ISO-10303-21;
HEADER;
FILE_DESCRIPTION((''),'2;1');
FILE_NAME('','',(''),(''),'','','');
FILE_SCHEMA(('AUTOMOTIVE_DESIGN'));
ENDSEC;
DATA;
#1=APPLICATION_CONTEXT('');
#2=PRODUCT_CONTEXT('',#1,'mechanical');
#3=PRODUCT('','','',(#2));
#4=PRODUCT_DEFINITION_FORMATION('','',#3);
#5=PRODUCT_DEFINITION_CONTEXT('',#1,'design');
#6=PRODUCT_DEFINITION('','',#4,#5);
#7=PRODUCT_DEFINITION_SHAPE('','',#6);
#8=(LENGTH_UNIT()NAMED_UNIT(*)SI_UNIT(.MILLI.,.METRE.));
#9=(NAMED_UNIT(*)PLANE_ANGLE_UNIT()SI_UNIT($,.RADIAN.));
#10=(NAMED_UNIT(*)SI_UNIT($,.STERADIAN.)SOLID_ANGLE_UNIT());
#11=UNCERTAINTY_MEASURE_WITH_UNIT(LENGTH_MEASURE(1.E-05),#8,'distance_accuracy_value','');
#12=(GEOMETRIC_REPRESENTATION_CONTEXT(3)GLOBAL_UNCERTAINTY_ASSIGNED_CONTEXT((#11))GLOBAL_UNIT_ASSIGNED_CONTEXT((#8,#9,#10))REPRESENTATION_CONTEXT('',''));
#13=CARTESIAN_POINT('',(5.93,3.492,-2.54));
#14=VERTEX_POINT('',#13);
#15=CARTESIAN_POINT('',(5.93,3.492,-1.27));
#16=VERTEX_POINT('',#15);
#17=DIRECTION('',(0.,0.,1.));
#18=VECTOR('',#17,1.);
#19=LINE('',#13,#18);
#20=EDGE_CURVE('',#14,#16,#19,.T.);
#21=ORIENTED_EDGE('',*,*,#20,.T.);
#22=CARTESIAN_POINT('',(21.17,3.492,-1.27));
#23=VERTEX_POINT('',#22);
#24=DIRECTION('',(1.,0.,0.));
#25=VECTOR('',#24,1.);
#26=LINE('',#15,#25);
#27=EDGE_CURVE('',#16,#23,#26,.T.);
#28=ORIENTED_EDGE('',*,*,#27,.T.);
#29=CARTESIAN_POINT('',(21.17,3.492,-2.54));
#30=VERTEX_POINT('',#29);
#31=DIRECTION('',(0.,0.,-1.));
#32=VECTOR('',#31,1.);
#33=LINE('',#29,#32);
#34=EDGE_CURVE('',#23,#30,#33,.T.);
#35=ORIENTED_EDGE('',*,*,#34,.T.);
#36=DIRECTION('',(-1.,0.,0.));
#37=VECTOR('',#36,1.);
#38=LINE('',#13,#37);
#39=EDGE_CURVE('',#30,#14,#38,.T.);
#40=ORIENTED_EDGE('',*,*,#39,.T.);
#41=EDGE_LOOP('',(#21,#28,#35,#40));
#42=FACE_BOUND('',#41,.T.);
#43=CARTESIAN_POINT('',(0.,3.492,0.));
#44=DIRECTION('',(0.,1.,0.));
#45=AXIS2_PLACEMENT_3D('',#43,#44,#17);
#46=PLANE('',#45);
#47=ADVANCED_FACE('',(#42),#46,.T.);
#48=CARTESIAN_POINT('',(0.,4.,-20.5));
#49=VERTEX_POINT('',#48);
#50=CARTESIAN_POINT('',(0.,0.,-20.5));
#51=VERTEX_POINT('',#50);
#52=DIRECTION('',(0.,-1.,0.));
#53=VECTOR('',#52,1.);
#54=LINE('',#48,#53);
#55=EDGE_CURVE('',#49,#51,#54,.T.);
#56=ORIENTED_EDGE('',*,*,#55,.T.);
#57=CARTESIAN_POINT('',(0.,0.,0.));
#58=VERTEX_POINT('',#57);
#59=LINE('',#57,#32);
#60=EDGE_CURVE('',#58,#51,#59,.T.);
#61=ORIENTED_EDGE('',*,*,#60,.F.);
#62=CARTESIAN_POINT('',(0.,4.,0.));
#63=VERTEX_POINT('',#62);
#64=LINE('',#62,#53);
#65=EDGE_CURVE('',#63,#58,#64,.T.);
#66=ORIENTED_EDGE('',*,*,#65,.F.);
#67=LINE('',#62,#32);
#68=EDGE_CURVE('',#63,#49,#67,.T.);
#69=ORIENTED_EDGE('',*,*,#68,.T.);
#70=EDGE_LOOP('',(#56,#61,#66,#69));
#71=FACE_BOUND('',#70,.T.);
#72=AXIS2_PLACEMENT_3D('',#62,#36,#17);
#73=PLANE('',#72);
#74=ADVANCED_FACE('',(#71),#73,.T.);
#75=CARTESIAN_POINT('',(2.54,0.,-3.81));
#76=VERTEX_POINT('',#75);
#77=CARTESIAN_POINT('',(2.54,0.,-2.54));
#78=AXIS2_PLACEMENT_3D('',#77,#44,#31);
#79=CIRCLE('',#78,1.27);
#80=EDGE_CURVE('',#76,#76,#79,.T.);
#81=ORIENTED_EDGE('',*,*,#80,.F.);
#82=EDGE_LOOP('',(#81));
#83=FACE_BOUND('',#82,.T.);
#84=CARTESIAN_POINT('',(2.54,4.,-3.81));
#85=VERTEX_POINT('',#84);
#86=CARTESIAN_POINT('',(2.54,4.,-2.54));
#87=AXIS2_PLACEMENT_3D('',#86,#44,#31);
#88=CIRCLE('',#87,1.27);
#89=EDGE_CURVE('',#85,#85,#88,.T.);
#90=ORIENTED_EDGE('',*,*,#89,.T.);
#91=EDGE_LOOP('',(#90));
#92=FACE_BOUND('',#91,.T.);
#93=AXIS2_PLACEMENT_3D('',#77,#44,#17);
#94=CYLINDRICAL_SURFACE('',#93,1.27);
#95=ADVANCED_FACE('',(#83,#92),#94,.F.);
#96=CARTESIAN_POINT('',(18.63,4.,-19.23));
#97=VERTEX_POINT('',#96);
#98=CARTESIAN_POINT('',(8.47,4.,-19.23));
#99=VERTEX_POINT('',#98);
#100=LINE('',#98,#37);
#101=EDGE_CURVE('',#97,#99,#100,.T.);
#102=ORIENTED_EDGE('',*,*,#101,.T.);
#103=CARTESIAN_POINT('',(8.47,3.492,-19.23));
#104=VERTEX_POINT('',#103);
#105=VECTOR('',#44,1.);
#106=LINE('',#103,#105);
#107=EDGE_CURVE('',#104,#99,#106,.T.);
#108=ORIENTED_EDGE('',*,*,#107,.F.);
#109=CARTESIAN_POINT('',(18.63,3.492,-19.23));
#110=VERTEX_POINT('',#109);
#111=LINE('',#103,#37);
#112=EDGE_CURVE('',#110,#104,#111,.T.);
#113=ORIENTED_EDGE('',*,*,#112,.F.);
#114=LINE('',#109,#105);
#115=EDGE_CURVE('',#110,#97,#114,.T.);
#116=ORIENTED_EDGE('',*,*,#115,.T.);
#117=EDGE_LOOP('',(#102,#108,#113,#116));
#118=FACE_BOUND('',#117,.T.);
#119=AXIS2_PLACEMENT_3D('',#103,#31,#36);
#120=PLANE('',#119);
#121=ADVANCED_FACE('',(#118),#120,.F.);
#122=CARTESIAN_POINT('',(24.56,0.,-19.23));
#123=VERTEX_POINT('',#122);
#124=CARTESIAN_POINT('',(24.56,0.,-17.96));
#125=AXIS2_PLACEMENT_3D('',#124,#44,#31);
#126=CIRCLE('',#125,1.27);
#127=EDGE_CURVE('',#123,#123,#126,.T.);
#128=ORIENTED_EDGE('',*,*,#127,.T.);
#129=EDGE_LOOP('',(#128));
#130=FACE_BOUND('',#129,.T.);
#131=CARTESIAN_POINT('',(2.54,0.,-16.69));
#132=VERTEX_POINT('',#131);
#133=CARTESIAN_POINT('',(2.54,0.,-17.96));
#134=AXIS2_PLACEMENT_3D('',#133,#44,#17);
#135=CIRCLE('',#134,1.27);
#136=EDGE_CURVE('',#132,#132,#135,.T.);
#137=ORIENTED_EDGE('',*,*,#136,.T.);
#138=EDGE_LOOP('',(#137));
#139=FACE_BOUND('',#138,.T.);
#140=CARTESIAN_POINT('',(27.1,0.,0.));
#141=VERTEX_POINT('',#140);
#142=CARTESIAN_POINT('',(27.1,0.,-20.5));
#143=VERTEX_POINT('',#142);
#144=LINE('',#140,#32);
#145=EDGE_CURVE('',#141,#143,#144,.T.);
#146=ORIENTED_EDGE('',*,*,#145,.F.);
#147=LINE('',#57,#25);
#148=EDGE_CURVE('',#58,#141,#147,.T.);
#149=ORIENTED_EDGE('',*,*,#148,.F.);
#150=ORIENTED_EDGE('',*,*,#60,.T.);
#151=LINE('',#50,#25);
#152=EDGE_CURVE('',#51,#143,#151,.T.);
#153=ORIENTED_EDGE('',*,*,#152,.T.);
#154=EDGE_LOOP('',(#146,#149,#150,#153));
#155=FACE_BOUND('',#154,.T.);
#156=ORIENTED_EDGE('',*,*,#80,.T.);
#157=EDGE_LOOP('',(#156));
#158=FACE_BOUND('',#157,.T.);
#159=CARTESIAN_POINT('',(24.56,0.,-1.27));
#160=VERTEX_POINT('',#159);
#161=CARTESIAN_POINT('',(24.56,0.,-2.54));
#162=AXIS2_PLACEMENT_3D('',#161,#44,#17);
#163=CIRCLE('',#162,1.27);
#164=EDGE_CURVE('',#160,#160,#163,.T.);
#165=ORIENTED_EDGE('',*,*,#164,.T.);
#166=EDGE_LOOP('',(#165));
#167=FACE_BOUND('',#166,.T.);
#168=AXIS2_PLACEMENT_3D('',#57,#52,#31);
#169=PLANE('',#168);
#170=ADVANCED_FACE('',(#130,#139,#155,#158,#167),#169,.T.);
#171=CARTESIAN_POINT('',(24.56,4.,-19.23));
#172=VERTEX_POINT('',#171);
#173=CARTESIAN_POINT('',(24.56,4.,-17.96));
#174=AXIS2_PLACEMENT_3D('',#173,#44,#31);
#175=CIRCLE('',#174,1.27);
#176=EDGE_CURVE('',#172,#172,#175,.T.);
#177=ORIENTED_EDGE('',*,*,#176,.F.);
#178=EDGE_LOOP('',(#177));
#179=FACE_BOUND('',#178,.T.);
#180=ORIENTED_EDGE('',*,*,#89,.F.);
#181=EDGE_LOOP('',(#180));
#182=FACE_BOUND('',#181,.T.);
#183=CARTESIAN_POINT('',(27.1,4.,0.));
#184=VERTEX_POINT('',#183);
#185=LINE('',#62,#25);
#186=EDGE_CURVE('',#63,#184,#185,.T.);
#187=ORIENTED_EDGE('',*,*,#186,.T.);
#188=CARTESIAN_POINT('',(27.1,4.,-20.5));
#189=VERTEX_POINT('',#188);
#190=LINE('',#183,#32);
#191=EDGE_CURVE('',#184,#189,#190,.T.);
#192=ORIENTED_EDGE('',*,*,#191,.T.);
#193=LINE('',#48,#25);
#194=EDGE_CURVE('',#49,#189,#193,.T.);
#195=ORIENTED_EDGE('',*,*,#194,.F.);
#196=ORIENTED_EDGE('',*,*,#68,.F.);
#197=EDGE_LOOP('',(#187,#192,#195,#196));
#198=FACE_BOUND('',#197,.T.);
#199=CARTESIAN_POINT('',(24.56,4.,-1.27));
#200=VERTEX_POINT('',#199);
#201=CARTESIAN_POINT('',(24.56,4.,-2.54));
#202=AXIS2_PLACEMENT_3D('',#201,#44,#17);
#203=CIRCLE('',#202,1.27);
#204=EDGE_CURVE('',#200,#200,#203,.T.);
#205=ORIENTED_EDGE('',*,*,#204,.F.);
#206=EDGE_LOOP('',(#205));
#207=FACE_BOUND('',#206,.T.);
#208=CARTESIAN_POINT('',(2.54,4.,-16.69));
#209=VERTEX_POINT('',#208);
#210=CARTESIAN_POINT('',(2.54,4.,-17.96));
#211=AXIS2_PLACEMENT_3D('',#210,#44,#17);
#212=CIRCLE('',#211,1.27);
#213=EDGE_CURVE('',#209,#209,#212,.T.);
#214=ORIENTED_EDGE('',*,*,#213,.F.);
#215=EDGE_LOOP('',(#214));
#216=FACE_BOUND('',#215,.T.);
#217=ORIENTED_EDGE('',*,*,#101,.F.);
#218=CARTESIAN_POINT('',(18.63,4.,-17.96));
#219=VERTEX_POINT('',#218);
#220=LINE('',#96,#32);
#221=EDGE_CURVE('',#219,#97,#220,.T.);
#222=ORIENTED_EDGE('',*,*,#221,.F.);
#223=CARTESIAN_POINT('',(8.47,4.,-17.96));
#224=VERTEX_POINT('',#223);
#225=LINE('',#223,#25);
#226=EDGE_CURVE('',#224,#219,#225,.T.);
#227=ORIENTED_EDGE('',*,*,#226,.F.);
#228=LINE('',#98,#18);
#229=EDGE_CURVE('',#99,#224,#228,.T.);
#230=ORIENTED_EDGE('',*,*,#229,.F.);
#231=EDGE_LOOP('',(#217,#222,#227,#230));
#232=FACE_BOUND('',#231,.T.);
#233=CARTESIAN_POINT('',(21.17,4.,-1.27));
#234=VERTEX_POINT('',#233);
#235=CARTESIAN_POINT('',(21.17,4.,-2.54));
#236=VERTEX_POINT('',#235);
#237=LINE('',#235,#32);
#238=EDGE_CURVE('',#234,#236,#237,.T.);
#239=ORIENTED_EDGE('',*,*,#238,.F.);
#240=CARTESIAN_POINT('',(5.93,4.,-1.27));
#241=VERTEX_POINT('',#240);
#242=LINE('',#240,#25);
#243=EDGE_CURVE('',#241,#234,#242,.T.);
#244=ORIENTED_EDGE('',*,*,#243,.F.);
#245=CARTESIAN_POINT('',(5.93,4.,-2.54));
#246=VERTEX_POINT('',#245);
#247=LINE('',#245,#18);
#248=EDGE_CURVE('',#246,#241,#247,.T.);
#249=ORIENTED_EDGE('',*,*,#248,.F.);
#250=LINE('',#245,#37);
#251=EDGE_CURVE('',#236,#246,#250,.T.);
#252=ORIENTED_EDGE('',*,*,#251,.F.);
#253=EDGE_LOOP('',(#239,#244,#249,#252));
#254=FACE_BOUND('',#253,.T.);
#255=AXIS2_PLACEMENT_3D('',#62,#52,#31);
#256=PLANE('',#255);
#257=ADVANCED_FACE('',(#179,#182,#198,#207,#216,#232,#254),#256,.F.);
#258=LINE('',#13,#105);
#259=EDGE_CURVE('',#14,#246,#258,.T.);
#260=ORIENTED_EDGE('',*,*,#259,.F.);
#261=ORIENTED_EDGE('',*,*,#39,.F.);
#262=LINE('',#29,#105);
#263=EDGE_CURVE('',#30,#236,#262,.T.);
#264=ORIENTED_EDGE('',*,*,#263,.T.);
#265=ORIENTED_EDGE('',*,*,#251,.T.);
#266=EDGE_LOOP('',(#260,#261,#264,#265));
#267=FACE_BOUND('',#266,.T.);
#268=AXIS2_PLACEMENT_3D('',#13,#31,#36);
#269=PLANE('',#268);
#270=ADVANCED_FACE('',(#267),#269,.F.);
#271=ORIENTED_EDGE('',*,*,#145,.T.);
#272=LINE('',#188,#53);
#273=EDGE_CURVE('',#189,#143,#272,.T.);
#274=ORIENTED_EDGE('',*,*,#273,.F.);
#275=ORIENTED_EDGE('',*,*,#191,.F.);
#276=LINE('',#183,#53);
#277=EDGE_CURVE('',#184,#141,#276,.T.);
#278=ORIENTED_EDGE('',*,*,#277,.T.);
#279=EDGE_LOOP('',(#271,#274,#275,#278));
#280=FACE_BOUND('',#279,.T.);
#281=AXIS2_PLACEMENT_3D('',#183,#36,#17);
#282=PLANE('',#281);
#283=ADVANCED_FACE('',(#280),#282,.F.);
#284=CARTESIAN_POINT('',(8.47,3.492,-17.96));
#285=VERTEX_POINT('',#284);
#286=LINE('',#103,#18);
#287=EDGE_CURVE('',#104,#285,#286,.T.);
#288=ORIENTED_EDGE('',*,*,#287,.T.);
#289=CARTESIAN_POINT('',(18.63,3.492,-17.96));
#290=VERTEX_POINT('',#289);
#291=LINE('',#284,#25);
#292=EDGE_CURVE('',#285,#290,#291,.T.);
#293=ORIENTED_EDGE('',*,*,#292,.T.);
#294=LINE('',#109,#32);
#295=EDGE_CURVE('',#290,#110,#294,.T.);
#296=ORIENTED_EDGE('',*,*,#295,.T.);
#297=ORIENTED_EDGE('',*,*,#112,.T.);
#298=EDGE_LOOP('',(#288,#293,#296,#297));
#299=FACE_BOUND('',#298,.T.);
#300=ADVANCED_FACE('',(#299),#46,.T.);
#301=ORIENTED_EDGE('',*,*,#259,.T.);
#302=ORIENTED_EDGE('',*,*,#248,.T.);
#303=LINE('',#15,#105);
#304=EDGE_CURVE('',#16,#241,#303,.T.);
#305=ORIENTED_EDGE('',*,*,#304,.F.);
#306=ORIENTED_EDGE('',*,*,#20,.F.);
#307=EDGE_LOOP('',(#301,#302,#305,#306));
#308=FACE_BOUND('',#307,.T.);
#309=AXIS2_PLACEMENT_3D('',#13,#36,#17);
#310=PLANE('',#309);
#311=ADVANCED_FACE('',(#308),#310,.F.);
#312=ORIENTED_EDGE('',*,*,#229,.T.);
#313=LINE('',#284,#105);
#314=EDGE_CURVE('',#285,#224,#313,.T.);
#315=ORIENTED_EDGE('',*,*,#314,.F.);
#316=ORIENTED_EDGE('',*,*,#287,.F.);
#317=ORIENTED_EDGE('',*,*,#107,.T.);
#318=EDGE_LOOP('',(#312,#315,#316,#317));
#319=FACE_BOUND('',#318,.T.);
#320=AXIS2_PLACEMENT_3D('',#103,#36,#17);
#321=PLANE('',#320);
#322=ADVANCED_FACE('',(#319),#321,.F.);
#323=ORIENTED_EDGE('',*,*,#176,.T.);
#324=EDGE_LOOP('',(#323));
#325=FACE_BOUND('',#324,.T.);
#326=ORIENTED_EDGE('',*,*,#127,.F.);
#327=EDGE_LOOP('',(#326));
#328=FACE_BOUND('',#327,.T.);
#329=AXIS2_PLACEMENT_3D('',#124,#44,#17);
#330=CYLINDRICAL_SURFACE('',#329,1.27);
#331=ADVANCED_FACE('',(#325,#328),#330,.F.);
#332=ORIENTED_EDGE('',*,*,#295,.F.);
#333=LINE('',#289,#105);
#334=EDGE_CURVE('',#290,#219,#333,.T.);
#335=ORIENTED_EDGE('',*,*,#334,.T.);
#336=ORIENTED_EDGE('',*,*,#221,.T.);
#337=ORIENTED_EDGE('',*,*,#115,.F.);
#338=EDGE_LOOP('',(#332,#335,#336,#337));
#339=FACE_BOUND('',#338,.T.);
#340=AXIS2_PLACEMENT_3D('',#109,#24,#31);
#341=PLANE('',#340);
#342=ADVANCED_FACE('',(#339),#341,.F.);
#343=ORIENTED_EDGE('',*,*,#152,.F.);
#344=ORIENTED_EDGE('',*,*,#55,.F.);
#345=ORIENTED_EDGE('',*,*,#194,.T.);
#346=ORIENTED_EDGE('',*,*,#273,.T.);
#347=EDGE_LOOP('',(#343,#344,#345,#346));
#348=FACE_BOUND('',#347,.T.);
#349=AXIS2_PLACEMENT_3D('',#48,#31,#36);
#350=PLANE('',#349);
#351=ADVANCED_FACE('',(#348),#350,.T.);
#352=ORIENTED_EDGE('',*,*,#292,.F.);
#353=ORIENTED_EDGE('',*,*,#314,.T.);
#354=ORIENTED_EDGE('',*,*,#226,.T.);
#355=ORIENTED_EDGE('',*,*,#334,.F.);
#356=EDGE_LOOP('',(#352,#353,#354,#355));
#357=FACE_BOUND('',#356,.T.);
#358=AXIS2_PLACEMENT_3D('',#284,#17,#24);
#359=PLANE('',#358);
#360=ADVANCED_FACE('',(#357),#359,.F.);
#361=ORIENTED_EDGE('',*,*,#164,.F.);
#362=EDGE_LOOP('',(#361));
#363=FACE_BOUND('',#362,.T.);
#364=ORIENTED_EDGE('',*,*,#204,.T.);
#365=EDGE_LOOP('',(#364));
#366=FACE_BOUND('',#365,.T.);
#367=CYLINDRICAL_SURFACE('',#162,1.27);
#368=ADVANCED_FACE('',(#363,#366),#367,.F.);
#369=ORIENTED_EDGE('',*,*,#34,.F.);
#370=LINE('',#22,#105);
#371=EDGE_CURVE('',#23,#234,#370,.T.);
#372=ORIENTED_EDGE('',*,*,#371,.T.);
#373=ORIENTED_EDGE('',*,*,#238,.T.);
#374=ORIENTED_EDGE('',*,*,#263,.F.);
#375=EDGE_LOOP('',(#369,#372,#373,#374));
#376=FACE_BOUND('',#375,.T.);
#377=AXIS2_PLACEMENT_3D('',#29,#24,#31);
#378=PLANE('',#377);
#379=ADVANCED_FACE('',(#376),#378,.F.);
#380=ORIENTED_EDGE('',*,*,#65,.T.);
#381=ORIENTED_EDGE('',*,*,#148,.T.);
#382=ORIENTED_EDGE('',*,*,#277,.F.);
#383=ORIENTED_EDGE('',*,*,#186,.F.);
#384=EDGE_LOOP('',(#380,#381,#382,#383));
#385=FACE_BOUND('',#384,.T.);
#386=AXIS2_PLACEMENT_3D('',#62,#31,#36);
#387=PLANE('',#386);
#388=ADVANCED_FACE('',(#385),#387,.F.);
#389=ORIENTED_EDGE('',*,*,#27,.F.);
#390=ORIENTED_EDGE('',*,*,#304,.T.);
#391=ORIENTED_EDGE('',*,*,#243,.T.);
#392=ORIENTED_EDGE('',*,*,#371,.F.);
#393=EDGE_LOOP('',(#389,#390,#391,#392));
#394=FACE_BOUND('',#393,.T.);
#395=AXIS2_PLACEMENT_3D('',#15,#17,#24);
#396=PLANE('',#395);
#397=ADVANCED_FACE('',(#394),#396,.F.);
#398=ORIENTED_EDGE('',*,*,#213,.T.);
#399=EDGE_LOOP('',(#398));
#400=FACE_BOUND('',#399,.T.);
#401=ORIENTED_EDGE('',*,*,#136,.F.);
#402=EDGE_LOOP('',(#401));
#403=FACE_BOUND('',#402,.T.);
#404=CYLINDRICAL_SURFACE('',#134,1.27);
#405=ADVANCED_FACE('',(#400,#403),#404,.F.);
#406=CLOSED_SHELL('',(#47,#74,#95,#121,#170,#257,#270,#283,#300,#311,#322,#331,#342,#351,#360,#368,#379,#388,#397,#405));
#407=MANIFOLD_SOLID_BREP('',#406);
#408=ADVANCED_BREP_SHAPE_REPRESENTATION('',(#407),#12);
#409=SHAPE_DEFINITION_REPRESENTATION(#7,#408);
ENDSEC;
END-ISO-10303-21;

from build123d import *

# Parameters (mm, degrees)
SKETCH1_W           = 27.1
SKETCH1_H           = 20.5
BOSS_EXTRUDE1_DEPTH = 4
SKETCH3_R           = 1.27
CUT_EXTRUDE1_DEPTH  = 35.214909031
SKETCH2_W           = 10.16
SKETCH2_H           = 1.27
SKETCH2_W_2         = 15.24
CUT_EXTRUDE2_DEPTH  = 0.508


with BuildPart() as part:
    # Sketch1 → Boss-Extrude1 (new body)
    with BuildSketch(Plane(origin=(0, 0, 0), x_dir=(1, 0, 0), z_dir=(0, 1, 0))):
        with Locations((13.55, 10.25)):
            Rectangle(SKETCH1_W, SKETCH1_H)
    extrude(amount=BOSS_EXTRUDE1_DEPTH)

    # Sketch3 → Cut-Extrude1 (cut, through all)
    with BuildSketch(Plane(origin=(0, 4, 0), x_dir=(1, 0, 0), z_dir=(0, 1, 0))):
        with Locations(Location((2.54, 17.96, 0), (0, 0, 270))):
            Circle(SKETCH3_R)
        with Locations(Location((2.54, 2.54, 0), (0, 0, 90))):
            Circle(SKETCH3_R)
        with Locations(Location((24.56, 2.54, 0), (0, 0, 270))):
            Circle(SKETCH3_R)
        with Locations(Location((24.56, 17.96, 0), (0, 0, 90))):
            Circle(SKETCH3_R)
    extrude(amount=-CUT_EXTRUDE1_DEPTH, mode=Mode.SUBTRACT)

    # Sketch2 → Cut-Extrude2 (cut)
    with BuildSketch(Plane(origin=(0, 4, 0), x_dir=(1, 0, 0), z_dir=(0, 1, 0))):
        with Locations((13.55, 18.595)):
            Rectangle(SKETCH2_W, SKETCH2_H)
        with Locations((13.55, 1.905)):
            Rectangle(SKETCH2_W_2, SKETCH2_H)
    extrude(amount=-CUT_EXTRUDE2_DEPTH, mode=Mode.SUBTRACT)


solid = part.part
